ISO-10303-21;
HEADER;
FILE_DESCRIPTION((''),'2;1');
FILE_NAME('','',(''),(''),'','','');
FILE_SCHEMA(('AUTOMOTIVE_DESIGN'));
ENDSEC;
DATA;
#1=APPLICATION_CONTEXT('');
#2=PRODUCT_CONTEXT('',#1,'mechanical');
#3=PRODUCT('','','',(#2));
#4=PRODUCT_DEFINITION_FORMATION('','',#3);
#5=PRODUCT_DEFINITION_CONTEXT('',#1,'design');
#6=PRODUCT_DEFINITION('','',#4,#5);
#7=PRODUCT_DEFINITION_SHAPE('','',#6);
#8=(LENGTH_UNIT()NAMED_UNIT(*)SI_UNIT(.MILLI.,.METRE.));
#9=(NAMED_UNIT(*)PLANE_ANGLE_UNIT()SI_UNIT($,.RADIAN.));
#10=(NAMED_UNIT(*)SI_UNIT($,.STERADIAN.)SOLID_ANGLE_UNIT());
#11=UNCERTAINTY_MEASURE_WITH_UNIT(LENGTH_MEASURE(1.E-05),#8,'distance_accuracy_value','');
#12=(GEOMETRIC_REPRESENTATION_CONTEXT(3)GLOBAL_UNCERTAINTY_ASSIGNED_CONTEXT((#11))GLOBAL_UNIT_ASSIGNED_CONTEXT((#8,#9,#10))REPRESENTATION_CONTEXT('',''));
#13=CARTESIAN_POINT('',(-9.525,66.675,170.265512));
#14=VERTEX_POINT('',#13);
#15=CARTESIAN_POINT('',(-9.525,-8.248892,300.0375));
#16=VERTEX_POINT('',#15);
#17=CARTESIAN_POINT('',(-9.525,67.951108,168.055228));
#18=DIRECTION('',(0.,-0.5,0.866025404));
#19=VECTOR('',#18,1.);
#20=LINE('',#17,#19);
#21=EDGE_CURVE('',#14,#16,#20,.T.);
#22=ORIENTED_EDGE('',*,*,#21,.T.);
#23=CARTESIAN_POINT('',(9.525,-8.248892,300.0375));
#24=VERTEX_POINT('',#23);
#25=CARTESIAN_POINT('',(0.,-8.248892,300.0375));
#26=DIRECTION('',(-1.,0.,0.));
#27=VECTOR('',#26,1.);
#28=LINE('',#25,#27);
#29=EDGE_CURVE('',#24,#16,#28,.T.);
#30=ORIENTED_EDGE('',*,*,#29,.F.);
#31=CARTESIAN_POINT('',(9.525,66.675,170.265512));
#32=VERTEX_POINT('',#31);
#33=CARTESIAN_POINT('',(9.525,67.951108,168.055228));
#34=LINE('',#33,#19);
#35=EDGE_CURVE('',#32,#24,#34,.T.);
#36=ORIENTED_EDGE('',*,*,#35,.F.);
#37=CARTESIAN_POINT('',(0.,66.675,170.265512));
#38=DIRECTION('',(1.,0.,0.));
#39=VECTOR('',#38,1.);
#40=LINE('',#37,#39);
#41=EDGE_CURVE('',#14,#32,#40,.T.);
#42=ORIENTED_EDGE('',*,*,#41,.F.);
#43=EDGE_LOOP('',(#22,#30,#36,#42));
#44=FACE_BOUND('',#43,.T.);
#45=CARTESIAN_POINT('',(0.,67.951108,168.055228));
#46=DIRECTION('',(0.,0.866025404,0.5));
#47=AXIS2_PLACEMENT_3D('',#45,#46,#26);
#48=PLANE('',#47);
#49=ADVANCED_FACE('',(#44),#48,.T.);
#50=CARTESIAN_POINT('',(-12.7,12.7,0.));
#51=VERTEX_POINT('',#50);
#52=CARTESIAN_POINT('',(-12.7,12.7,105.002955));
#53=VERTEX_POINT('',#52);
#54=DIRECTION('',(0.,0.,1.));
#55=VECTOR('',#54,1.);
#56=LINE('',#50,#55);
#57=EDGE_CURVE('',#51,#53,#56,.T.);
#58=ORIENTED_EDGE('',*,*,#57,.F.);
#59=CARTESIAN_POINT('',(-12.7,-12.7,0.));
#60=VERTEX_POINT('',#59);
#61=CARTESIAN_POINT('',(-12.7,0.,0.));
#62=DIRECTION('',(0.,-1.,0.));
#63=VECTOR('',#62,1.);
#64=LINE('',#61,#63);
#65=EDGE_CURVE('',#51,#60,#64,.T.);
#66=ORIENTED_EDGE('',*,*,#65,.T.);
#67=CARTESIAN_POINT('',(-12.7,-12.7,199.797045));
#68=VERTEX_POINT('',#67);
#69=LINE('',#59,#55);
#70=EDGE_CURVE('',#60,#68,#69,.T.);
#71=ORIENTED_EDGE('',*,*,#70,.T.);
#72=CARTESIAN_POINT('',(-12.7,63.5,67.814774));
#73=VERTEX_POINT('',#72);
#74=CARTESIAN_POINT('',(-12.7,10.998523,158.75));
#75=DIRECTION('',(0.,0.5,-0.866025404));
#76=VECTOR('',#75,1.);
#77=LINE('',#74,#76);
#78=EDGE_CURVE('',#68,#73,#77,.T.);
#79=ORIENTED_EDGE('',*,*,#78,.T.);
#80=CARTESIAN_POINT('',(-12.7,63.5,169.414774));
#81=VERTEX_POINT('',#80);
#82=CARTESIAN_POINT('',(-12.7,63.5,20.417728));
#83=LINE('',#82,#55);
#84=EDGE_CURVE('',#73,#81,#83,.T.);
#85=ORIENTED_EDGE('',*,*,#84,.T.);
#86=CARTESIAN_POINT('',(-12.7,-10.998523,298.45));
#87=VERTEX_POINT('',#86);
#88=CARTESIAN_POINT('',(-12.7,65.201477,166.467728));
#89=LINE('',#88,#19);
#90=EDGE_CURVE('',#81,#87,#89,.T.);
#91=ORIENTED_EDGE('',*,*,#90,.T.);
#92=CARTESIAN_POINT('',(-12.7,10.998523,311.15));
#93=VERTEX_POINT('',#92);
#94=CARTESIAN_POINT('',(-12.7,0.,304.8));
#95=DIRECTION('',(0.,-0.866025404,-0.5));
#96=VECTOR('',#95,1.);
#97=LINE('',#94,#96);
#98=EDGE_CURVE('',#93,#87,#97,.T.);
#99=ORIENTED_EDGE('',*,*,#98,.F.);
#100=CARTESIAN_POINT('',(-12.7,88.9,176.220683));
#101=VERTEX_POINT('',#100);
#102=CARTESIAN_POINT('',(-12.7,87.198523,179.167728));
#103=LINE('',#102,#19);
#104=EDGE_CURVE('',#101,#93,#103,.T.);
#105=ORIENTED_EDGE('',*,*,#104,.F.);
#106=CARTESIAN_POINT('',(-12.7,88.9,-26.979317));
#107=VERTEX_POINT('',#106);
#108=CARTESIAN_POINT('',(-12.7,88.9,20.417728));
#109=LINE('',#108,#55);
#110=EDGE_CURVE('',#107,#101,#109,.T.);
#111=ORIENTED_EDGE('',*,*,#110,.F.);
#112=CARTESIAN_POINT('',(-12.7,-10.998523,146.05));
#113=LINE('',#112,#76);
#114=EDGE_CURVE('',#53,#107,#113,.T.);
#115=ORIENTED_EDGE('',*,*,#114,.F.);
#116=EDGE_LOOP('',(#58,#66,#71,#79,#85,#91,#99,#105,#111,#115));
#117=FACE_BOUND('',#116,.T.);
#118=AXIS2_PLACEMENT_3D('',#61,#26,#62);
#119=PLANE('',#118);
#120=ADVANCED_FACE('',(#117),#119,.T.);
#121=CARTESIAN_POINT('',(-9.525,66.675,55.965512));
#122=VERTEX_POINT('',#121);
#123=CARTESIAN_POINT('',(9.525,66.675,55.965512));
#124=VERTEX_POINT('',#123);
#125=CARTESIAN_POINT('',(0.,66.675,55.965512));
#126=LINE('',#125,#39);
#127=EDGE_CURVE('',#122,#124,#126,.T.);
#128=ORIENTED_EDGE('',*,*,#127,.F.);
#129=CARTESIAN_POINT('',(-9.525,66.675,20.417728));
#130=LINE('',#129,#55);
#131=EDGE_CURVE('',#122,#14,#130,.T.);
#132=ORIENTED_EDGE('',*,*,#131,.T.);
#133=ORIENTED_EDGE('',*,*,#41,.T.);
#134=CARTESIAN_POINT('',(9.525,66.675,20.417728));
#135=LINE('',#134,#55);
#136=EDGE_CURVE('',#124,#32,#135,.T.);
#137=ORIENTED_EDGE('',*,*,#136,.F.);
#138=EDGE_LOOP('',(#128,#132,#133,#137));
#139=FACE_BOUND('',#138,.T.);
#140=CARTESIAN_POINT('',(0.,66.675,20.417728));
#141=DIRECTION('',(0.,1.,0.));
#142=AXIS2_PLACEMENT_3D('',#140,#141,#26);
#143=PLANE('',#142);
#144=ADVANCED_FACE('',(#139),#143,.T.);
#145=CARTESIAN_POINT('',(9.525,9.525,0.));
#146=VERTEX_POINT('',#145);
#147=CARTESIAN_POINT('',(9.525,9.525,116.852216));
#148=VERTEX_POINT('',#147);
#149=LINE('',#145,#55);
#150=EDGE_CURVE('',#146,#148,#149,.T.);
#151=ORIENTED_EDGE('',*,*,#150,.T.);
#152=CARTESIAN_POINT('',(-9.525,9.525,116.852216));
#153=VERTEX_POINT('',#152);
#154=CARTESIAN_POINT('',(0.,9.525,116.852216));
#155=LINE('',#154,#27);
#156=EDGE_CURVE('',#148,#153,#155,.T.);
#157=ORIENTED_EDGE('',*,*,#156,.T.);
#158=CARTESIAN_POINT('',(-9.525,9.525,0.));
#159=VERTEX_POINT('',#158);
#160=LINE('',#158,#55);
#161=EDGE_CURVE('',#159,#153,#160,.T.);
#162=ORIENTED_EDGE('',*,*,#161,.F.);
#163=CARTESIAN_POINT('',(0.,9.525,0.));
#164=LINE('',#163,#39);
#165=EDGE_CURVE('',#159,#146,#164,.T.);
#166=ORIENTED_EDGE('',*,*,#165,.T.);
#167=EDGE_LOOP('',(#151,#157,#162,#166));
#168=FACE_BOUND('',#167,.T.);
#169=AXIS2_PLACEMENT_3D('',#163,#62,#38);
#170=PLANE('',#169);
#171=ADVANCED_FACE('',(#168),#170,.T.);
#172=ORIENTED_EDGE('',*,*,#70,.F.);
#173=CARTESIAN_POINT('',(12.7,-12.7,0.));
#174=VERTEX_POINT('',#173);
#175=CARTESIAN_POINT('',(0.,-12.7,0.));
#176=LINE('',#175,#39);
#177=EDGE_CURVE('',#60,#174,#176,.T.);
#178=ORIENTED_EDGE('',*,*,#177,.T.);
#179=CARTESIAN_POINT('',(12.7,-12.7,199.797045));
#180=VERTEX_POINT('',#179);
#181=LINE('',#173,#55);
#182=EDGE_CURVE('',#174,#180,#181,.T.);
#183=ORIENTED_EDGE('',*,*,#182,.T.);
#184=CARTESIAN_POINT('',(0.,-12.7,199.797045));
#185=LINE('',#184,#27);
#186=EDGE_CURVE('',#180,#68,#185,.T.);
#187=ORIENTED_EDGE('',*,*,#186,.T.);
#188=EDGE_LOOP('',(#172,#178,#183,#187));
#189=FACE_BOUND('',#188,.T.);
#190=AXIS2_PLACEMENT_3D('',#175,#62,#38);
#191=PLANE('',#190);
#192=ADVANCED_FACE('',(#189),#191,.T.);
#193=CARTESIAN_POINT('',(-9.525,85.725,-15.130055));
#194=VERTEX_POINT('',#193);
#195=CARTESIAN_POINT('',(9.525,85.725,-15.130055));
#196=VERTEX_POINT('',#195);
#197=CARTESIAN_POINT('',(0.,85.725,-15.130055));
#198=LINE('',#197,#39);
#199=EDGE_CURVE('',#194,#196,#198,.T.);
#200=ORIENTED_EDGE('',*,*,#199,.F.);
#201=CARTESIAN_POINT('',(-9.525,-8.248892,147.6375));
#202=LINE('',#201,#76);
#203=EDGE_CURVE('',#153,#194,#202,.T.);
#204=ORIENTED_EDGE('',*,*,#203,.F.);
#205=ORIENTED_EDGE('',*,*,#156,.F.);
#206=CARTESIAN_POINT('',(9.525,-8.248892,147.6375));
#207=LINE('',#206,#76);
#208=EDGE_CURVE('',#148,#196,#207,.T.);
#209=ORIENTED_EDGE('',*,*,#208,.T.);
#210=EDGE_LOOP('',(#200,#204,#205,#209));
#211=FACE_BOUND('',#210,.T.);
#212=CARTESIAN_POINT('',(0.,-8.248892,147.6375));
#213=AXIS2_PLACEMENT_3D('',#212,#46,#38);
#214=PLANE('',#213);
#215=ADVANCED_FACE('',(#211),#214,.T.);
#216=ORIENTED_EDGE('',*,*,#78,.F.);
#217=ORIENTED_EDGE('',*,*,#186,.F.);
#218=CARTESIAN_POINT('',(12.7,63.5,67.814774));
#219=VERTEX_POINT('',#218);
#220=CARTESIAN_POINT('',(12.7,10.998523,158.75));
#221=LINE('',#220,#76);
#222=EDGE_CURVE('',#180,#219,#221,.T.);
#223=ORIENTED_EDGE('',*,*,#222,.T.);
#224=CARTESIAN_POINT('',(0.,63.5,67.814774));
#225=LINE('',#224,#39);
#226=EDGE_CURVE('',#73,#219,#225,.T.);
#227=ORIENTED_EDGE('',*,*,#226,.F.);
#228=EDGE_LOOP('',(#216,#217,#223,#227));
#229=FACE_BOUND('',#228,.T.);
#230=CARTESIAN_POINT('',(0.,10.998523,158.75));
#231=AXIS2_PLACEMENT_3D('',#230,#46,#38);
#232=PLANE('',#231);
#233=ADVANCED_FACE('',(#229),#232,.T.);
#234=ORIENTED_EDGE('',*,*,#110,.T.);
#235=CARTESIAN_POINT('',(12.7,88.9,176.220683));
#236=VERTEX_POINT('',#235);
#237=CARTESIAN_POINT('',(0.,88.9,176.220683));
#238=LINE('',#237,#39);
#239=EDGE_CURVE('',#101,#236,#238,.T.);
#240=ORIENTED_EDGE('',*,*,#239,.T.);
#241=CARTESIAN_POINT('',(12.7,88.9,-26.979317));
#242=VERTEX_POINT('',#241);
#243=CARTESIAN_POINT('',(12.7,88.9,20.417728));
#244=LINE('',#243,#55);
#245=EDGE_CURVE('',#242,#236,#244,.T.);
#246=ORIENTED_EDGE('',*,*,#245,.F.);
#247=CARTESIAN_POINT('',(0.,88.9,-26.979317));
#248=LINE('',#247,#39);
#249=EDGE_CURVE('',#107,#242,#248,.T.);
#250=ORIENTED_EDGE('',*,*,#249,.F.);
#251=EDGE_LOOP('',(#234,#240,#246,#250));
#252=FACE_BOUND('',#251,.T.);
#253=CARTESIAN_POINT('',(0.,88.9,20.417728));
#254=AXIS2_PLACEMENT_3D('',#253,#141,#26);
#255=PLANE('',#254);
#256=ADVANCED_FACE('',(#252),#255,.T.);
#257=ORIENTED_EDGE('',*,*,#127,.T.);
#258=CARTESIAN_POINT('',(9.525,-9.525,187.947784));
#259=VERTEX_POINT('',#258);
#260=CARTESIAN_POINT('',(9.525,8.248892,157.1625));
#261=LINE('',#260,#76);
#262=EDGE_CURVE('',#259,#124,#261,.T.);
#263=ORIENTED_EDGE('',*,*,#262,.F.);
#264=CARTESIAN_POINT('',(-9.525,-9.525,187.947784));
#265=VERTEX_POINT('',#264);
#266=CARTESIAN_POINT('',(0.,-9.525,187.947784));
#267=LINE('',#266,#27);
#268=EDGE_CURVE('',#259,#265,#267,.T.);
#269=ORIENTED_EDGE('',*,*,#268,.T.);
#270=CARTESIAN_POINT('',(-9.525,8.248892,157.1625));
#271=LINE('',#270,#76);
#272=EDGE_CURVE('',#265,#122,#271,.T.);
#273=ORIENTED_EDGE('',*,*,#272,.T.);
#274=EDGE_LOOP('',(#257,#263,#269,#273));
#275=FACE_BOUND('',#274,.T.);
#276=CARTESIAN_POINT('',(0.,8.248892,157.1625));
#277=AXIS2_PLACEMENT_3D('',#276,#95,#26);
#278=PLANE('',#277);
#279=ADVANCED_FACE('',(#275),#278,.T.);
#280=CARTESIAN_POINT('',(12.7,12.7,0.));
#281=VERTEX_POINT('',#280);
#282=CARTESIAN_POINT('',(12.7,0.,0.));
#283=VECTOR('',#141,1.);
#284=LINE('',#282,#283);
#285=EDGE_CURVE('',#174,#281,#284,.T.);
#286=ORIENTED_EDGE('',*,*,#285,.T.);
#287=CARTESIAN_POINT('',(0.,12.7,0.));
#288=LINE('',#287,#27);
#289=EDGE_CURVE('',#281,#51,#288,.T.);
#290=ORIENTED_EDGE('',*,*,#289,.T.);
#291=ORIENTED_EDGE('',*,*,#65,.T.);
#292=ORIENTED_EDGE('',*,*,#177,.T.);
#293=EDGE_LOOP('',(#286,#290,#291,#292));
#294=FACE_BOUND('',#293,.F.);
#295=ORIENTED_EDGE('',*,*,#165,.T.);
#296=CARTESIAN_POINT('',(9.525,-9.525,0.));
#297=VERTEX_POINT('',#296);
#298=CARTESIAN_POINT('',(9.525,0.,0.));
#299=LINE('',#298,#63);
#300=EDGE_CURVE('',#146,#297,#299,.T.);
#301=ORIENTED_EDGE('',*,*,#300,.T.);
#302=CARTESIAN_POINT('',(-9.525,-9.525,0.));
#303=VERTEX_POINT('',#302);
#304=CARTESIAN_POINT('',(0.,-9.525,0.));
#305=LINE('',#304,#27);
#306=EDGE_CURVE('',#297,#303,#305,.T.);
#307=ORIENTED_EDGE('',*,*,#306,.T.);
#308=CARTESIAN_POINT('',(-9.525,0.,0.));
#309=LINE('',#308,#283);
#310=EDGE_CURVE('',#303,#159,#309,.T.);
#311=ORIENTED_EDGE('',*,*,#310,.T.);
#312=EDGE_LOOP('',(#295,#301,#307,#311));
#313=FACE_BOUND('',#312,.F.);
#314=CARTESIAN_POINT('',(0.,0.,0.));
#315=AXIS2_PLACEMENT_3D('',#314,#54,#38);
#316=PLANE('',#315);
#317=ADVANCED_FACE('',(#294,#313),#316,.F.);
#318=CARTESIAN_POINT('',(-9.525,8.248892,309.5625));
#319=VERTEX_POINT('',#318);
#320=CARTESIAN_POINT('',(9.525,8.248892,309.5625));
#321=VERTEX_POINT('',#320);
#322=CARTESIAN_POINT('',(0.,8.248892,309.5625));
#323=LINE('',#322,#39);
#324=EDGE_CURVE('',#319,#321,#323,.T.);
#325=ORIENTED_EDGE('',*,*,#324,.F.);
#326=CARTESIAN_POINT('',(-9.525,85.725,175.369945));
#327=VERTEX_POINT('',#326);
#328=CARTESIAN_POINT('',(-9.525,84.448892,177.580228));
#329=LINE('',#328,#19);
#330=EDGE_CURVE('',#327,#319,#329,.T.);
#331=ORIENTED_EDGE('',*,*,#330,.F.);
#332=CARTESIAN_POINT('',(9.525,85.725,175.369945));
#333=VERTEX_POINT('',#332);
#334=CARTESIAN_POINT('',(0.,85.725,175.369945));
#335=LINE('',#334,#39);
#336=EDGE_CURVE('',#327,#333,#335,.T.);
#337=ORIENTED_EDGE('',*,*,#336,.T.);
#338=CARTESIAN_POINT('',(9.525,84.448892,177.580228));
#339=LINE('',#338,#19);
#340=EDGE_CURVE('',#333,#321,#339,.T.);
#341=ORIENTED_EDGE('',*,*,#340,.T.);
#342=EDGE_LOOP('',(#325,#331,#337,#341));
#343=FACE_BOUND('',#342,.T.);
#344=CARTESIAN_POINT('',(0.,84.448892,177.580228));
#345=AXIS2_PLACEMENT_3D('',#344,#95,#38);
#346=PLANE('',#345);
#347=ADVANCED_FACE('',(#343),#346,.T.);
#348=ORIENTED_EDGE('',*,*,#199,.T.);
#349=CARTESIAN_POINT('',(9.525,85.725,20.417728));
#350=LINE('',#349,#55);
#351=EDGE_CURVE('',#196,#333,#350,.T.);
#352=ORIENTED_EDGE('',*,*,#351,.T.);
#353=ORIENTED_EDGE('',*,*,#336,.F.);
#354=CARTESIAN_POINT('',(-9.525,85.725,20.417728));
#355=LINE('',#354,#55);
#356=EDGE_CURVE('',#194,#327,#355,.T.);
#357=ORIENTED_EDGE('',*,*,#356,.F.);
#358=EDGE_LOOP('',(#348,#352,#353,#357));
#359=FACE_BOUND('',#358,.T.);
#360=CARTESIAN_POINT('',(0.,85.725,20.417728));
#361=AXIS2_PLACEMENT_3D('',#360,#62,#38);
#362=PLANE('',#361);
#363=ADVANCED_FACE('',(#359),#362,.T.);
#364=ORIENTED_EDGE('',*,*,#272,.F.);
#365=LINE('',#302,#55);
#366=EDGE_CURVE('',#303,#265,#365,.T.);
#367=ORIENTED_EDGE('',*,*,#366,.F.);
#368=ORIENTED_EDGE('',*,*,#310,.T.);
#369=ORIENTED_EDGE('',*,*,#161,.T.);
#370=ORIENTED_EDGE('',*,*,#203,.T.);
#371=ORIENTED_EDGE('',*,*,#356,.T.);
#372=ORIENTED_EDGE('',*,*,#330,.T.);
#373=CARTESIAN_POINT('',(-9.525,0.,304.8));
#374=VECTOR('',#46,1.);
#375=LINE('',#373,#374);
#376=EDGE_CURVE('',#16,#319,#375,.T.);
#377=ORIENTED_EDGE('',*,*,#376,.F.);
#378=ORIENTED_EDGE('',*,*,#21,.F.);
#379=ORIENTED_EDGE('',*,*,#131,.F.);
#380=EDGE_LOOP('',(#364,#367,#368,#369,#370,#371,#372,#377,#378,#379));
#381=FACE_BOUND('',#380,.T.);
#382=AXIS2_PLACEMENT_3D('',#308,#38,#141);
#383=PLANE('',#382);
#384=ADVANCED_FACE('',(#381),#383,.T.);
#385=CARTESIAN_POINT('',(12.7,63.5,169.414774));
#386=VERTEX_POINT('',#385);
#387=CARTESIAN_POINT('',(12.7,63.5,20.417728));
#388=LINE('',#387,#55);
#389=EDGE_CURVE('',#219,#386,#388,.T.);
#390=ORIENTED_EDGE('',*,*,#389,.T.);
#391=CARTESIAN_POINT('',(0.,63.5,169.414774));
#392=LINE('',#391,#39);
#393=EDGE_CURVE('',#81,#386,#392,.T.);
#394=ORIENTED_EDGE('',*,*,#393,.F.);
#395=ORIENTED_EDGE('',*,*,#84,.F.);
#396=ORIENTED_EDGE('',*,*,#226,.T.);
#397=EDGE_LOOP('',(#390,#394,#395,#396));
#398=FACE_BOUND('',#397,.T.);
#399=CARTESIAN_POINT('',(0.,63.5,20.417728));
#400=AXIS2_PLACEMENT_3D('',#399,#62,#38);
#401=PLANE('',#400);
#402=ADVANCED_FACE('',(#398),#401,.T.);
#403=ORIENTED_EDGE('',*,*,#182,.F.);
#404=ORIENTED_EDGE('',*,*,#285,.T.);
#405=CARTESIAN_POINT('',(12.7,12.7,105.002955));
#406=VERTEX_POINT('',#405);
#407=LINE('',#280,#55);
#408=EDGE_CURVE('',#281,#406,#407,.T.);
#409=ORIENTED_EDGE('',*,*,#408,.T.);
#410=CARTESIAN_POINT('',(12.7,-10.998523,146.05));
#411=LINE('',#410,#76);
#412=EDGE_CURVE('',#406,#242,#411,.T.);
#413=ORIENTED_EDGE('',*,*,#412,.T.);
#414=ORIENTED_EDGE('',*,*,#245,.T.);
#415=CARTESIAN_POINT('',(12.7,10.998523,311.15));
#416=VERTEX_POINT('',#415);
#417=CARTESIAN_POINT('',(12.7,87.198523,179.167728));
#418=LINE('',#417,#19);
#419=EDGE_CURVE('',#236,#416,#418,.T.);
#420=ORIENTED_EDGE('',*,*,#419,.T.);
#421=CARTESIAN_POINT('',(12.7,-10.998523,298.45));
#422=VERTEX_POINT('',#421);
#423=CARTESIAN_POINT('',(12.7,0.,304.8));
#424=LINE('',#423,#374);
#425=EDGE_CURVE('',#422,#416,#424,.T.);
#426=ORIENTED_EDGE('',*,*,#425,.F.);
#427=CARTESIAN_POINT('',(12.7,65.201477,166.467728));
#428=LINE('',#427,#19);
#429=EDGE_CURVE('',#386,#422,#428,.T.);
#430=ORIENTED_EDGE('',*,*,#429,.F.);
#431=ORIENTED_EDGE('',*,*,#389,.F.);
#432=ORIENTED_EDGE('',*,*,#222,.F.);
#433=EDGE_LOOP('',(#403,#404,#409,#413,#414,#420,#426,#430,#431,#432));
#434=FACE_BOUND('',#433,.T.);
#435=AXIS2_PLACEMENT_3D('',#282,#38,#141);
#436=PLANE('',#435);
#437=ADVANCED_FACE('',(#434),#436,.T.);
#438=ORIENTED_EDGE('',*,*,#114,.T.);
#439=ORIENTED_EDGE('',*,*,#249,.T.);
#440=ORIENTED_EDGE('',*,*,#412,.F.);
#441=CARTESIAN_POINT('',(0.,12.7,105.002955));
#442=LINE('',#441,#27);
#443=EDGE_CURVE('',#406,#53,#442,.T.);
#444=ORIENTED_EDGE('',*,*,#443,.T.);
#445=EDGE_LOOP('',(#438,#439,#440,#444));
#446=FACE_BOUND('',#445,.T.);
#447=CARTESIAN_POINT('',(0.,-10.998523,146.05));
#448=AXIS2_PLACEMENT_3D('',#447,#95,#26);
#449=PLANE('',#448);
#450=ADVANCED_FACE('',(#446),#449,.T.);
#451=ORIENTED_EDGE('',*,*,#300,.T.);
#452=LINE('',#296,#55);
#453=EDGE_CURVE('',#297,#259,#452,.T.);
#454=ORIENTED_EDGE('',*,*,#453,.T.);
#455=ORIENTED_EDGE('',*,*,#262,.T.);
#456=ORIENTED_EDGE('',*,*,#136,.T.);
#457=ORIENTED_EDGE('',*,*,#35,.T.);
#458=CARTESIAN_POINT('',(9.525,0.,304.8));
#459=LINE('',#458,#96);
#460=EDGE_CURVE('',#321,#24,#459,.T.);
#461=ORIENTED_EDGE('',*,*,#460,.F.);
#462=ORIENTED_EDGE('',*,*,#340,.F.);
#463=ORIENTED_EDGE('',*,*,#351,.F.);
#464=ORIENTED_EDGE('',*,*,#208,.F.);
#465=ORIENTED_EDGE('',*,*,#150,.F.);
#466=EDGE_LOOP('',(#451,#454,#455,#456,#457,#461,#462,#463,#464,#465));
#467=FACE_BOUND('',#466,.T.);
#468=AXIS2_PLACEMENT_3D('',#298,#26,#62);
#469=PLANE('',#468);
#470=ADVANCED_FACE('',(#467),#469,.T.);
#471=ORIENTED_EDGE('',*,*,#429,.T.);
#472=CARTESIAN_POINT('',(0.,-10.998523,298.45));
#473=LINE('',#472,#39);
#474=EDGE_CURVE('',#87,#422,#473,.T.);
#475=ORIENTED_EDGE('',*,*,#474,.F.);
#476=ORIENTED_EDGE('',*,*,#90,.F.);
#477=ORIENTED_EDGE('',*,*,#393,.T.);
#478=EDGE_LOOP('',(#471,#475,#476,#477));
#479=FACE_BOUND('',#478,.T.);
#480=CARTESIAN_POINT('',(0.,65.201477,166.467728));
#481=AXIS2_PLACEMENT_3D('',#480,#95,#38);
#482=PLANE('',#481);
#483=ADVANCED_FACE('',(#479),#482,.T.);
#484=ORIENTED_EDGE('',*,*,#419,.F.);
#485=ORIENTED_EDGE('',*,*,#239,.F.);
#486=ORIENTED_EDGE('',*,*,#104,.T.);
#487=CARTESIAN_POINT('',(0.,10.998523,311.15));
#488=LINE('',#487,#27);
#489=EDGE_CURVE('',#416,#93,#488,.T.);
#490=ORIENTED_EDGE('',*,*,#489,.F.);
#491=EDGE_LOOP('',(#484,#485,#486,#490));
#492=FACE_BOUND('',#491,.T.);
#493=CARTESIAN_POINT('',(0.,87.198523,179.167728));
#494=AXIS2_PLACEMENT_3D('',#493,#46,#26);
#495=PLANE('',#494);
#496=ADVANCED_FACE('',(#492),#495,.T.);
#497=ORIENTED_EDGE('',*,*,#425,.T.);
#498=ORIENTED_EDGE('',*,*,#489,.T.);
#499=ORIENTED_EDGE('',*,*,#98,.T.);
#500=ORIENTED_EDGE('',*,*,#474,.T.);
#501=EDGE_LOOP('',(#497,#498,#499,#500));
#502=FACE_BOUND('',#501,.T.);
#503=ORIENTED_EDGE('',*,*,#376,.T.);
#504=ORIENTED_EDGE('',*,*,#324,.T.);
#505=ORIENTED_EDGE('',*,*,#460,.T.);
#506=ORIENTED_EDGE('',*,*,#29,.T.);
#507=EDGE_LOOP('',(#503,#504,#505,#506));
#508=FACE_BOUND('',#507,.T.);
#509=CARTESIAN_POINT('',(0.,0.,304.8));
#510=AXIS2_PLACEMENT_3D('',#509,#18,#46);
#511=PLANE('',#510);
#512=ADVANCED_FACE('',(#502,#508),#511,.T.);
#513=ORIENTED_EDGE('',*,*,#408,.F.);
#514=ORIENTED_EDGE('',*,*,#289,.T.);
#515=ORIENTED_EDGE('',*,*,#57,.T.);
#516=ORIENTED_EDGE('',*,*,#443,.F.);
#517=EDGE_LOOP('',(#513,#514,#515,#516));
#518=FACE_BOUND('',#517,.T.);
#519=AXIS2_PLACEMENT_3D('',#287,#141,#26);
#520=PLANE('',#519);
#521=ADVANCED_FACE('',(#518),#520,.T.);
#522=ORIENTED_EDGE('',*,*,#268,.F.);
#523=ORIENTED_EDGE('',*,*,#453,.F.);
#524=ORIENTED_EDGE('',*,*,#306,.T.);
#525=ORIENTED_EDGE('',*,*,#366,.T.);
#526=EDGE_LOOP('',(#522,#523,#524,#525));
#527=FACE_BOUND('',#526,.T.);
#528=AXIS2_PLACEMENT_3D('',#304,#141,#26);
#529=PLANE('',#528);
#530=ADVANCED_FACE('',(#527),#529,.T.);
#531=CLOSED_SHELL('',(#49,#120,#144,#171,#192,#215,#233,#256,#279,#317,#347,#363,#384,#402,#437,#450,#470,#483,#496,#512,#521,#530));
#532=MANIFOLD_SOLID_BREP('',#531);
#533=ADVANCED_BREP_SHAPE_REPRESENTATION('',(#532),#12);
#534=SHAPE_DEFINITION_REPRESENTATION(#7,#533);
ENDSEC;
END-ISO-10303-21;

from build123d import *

# Parameters (mm, degrees)
F0_W   = 25.4
F0_H   = 25.4
F0_W_2 = 19.05
F0_H_2 = 19.05


with BuildPart() as f2:
    # F2: sweep along a path in F1
    with BuildLine(Plane.YZ) as f2_path:
        Line((0, 0), (0, 152.4))
        Line((0, 152.4), (76.2, 20.4177284633))
        Line((76.2, 20.4177284633), (76.2, 172.8177284633))
        Line((76.2, 172.8177284633), (0, 304.8))
    # F0 (on Top) → F2 (sweep)
    with BuildSketch(Plane.XY):
        Rectangle(F0_W, F0_H)
        Rectangle(F0_W_2, F0_H_2, mode=Mode.SUBTRACT)
    sweep(path=f2_path.line, transition=Transition.RIGHT)


solid = f2.part
